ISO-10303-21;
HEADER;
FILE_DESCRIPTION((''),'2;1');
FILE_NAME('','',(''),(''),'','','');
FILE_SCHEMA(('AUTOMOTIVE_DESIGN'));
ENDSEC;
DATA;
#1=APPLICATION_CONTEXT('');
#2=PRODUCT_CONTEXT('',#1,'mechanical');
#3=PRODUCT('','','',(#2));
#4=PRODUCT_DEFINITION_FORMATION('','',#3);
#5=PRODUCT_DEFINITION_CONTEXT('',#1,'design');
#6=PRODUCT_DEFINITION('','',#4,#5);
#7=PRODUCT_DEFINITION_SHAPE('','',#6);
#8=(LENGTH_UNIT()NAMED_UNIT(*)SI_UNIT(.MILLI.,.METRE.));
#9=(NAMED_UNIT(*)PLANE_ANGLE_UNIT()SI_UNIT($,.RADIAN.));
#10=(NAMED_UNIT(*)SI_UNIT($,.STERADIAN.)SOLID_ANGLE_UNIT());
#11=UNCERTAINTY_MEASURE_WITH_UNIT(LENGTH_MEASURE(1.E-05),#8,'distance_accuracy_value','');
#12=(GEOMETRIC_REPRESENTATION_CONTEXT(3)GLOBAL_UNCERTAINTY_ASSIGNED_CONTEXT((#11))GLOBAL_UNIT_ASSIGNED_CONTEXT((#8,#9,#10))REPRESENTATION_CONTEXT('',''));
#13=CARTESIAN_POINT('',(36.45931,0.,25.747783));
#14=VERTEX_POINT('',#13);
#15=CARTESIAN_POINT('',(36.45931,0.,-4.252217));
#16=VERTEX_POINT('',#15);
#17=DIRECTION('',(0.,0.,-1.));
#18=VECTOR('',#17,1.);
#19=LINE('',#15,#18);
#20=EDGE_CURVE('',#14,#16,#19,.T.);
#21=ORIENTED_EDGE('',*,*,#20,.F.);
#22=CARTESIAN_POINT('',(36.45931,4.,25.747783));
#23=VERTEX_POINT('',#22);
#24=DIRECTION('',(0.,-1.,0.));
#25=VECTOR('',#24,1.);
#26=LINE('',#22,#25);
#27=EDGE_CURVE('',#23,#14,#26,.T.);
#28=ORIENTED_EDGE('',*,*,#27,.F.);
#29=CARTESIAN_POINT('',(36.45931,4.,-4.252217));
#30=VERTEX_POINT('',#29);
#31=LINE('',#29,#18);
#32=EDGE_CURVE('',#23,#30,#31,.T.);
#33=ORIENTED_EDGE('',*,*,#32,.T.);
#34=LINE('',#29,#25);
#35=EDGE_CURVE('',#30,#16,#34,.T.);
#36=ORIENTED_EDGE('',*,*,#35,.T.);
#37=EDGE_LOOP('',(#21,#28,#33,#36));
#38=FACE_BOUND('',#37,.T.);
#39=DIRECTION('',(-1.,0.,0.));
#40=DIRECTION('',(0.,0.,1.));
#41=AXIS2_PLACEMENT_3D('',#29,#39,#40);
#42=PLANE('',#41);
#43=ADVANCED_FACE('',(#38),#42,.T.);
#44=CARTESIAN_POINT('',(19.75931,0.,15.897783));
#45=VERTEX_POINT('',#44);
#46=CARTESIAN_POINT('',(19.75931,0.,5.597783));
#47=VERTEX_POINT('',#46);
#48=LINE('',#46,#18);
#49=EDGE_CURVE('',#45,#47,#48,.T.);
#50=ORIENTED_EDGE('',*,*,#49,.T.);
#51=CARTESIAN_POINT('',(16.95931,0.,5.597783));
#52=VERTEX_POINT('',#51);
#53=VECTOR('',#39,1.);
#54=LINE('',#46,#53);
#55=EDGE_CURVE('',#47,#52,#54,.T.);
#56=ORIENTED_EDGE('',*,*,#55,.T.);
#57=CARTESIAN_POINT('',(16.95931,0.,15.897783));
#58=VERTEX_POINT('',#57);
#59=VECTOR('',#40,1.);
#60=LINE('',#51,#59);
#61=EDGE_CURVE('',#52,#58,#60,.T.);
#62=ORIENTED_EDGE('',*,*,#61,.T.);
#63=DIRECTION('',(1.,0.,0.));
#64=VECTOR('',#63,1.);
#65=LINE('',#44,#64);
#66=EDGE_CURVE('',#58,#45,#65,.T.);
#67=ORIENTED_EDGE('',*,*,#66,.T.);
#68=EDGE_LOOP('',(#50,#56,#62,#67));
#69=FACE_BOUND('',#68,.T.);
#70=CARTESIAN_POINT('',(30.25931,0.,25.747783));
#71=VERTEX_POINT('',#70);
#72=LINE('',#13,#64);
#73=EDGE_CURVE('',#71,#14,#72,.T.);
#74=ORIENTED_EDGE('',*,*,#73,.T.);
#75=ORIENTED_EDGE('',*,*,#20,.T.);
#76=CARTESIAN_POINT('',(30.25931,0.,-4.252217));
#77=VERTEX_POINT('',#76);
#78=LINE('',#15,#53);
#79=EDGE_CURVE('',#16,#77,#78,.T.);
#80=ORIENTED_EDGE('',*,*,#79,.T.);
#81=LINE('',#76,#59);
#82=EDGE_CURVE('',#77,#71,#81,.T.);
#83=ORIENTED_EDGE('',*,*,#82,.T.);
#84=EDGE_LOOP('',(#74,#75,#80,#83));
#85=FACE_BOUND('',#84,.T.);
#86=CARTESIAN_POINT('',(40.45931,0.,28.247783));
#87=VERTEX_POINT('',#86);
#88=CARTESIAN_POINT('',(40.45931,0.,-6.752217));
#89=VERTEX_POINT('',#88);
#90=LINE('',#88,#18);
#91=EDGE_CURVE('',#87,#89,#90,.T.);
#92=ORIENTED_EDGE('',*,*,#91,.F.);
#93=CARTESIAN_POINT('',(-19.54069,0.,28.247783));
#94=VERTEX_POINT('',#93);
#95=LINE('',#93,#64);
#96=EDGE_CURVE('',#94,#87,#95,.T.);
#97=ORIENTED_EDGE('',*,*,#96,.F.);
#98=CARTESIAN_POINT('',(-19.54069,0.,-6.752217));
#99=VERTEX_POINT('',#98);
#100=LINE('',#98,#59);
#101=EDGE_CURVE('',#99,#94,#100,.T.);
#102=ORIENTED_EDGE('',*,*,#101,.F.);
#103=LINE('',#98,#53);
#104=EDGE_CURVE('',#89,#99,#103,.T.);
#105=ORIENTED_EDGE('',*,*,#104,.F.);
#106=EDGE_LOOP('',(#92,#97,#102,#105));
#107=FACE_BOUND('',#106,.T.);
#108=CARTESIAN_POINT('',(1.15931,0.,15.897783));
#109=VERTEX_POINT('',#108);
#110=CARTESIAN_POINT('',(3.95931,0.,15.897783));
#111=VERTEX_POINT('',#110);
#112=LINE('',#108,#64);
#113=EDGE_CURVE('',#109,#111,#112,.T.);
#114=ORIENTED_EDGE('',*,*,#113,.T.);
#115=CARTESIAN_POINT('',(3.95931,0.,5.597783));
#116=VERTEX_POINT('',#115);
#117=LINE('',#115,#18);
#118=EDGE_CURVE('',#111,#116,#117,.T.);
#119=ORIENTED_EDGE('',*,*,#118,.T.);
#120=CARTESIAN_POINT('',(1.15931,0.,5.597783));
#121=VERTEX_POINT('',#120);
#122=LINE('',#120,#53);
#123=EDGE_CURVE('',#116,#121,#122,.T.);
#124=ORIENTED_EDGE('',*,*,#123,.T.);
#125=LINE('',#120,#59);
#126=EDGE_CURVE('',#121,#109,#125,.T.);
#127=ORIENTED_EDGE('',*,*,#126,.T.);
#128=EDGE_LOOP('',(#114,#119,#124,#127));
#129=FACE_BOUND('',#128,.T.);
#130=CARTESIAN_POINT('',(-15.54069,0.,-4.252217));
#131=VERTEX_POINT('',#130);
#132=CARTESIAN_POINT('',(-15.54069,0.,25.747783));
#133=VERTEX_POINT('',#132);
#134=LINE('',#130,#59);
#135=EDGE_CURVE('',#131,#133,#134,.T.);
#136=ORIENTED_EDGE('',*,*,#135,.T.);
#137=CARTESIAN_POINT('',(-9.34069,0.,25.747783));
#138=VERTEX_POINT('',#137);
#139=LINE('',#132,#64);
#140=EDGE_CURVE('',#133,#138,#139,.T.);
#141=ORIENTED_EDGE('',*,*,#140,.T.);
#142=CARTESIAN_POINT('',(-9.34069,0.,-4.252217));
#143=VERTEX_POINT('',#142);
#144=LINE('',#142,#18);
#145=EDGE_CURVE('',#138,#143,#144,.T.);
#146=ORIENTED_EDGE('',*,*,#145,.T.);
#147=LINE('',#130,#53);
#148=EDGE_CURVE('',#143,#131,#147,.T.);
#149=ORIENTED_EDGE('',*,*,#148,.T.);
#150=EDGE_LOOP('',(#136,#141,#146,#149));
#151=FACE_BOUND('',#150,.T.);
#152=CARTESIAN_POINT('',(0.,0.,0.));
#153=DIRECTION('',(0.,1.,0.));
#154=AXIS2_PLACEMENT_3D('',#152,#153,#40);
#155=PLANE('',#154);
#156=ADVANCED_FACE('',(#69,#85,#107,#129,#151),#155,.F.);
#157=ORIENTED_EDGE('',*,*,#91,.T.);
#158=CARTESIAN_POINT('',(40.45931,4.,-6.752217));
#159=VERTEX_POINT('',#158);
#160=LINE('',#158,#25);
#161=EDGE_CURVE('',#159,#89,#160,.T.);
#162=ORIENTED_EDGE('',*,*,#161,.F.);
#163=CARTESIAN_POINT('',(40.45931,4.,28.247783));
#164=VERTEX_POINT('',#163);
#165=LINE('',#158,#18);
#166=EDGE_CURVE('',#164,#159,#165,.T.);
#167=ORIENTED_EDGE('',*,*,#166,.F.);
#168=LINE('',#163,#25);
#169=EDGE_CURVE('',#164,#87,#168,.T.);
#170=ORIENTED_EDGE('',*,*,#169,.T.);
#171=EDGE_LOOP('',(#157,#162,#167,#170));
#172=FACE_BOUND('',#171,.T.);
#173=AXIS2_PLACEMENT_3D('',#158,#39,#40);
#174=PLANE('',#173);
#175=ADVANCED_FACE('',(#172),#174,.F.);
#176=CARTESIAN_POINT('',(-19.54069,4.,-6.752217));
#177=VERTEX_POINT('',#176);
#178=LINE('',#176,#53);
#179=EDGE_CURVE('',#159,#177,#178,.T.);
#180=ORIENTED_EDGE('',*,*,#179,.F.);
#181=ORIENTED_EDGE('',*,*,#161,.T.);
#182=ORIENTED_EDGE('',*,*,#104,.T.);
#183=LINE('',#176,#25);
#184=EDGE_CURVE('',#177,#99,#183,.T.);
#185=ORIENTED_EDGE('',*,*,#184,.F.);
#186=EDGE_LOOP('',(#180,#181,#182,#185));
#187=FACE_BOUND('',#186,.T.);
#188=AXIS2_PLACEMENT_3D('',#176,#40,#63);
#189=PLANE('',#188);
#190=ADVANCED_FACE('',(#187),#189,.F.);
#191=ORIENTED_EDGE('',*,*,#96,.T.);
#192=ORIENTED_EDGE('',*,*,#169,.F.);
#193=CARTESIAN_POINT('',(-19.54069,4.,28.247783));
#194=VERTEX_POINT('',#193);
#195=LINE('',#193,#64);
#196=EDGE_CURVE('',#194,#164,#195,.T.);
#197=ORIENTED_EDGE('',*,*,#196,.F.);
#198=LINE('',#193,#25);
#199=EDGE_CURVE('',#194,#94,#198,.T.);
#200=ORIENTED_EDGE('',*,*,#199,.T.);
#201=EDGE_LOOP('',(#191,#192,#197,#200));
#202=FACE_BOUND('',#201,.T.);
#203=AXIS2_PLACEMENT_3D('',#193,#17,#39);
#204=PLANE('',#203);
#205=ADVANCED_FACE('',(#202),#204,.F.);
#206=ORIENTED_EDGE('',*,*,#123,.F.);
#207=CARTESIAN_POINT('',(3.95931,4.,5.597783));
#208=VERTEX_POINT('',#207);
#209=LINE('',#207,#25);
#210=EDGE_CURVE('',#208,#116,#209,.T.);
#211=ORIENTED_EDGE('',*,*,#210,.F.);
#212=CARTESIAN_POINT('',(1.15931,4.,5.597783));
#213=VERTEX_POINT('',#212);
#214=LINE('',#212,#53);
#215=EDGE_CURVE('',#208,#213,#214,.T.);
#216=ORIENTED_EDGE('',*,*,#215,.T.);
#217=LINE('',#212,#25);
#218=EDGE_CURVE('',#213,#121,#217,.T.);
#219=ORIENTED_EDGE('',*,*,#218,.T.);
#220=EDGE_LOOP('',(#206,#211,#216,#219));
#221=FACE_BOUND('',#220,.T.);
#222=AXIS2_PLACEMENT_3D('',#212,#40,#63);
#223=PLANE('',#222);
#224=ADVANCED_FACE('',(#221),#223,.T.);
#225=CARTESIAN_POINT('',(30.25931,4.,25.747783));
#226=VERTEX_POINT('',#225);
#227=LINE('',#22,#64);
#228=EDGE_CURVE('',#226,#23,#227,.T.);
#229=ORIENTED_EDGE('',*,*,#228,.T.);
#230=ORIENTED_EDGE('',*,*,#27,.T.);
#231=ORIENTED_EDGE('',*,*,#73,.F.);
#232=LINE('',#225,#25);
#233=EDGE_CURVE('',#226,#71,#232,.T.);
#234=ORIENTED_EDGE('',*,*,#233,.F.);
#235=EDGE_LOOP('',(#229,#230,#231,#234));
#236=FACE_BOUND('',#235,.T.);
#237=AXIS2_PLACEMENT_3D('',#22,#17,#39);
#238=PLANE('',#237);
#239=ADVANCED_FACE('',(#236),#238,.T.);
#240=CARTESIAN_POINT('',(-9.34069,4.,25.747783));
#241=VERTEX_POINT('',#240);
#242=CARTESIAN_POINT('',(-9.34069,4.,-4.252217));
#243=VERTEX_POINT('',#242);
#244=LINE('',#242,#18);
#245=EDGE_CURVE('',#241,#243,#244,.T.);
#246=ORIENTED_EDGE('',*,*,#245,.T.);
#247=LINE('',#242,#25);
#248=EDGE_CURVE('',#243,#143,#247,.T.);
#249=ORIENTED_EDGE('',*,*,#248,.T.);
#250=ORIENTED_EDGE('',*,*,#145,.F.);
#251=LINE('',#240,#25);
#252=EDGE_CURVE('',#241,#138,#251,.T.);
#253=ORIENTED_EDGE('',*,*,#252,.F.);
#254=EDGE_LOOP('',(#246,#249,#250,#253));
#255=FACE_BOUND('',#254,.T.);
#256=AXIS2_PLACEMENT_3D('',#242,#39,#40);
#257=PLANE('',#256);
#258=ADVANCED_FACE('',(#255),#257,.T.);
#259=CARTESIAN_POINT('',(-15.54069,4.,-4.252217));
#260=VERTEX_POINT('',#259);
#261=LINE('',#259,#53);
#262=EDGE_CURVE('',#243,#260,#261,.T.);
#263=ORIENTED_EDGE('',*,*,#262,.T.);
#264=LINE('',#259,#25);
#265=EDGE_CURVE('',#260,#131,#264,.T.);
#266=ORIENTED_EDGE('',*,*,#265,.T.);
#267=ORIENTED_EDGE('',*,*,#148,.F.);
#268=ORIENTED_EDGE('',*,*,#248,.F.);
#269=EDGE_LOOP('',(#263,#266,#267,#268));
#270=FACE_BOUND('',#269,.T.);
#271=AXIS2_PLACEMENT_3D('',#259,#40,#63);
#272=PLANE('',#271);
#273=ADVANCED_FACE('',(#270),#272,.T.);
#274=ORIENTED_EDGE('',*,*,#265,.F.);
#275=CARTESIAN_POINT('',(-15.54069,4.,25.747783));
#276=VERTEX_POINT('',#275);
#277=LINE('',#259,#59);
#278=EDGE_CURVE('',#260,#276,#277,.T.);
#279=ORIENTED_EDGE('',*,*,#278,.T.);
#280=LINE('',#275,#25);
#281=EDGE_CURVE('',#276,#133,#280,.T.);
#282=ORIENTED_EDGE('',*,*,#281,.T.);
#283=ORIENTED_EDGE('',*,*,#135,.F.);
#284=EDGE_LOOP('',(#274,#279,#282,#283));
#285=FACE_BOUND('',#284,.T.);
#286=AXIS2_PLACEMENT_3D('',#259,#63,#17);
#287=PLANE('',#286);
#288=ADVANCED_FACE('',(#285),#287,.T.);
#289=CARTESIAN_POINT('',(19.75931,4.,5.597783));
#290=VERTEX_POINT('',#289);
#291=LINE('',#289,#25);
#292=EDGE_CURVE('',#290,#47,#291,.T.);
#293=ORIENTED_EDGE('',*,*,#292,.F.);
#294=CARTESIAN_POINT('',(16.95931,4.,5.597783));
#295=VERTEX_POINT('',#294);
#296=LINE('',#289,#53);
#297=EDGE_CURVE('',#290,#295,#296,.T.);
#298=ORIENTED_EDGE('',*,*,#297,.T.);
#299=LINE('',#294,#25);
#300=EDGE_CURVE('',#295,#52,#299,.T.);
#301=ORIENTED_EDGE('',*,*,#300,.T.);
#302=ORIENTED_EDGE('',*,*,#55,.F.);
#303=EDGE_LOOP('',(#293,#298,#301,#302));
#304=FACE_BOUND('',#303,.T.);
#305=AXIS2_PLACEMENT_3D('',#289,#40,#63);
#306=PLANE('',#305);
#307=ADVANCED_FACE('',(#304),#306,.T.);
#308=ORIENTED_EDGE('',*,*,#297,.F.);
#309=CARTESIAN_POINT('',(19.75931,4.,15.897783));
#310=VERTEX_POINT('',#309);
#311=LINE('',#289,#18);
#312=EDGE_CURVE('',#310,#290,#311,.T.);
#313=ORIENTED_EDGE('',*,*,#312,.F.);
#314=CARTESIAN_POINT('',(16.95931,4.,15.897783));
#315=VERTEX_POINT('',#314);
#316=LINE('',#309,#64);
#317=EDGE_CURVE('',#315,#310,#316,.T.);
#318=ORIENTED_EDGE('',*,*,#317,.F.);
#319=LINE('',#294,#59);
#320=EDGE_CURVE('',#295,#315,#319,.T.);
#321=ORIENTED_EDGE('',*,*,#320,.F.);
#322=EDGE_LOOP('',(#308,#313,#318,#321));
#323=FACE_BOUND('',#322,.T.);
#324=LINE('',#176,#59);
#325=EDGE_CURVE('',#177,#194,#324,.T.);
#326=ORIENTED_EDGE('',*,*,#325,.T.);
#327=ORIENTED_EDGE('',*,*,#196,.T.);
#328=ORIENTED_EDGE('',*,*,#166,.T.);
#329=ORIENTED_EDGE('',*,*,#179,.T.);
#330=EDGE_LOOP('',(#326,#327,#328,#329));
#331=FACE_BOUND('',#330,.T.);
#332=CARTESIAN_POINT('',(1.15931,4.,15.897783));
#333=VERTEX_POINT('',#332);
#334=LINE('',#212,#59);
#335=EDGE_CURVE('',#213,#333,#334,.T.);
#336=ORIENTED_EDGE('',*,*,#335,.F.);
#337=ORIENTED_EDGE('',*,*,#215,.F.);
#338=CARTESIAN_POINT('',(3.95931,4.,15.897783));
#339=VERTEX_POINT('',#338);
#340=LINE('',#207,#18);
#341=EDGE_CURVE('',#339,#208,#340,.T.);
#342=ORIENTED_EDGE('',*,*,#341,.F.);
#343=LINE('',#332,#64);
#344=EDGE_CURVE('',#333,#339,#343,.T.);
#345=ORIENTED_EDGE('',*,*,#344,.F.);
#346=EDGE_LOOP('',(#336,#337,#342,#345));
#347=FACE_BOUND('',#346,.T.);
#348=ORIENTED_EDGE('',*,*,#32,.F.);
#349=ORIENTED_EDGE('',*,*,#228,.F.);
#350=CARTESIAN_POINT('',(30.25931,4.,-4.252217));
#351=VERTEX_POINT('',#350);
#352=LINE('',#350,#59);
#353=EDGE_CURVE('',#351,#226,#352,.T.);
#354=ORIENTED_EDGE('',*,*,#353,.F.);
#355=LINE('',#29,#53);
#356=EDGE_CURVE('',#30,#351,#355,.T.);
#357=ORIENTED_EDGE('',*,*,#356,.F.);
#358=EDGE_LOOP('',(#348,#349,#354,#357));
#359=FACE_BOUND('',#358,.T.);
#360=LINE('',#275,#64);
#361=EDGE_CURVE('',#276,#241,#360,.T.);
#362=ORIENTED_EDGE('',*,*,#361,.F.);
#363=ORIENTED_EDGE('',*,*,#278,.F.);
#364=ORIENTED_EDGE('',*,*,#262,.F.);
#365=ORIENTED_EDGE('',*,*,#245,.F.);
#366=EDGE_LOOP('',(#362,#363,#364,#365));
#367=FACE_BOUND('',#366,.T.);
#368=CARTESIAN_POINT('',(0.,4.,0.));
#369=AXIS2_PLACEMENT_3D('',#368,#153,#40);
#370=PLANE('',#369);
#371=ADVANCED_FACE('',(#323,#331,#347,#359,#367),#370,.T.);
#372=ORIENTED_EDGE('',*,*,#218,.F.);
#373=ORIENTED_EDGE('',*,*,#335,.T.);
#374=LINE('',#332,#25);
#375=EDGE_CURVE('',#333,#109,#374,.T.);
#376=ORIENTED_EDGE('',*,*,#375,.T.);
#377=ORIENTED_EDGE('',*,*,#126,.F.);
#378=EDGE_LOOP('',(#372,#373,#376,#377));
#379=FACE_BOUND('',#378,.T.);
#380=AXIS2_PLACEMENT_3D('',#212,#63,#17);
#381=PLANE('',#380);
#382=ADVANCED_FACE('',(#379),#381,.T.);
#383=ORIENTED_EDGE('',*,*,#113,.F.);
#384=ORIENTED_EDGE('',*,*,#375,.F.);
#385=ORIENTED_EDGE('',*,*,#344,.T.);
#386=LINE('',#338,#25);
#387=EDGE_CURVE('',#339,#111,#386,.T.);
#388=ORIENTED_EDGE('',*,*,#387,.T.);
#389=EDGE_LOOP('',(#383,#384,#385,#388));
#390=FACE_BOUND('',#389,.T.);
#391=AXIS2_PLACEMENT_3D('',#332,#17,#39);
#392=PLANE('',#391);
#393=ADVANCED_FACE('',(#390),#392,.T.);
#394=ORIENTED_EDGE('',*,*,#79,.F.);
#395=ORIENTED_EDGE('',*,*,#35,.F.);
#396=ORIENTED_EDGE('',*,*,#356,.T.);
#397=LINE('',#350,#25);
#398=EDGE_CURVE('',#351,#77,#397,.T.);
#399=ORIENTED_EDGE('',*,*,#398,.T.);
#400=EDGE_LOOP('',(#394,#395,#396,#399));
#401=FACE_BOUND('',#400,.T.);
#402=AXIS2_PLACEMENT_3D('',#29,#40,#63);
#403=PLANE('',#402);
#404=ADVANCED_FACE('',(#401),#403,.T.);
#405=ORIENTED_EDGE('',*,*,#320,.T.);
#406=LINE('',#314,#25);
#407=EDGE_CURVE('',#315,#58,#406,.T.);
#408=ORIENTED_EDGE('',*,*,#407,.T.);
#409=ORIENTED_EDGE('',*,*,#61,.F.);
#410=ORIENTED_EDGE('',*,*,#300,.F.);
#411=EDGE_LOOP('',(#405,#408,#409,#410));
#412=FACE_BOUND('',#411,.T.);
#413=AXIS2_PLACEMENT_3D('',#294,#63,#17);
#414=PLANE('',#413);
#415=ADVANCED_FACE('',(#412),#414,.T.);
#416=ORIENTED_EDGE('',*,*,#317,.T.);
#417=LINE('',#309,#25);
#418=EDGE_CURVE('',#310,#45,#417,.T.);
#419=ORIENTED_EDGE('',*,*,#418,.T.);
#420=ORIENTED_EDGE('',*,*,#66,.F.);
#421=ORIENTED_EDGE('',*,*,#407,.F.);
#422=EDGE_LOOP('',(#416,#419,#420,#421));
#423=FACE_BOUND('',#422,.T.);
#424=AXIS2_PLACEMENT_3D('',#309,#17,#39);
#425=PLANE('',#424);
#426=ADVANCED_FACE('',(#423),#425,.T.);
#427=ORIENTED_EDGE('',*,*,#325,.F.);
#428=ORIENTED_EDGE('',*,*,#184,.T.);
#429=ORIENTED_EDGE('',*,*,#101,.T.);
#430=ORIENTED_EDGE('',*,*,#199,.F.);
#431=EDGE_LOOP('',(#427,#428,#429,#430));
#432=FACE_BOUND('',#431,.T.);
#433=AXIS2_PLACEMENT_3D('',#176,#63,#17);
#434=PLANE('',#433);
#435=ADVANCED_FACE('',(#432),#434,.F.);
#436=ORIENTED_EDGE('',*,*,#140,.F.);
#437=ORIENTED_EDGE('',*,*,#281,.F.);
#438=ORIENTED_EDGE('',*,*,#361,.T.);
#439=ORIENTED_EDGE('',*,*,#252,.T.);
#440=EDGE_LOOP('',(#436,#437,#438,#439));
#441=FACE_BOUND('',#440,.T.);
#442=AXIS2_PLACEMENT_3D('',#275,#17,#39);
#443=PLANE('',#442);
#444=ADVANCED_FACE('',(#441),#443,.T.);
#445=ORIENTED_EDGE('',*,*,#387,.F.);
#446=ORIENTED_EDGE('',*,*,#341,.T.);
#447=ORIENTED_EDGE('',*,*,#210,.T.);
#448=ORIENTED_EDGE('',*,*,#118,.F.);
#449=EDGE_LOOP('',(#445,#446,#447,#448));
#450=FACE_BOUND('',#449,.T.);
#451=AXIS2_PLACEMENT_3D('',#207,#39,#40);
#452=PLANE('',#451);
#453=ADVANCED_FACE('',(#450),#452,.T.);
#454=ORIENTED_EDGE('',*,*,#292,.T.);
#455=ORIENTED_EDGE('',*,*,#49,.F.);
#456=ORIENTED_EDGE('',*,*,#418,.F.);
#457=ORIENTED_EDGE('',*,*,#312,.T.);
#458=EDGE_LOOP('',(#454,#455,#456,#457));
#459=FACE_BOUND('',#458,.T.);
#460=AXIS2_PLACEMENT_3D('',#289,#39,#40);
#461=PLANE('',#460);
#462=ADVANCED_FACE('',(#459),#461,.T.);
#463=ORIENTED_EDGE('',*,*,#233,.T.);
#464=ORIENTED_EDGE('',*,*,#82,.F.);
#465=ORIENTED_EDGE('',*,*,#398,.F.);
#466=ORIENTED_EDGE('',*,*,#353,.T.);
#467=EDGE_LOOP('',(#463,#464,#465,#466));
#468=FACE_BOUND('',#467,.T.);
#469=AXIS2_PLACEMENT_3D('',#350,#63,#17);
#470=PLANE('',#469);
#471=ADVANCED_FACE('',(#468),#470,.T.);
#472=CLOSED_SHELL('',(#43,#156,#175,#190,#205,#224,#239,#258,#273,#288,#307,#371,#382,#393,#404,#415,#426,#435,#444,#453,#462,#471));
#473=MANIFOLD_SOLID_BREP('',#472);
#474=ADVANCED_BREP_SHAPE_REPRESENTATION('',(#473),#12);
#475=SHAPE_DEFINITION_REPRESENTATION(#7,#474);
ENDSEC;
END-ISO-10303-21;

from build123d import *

# Parameters (mm, degrees)
SKETCH1_W           = 60
SKETCH1_H           = 35
SKETCH1_W_2         = 6.2
SKETCH1_H_2         = 30
SKETCH1_W_3         = 2.8
SKETCH1_H_3         = 10.3
BOSS_EXTRUDE1_DEPTH = 4


with BuildPart() as part:
    # Sketch1 → Boss-Extrude1 (new body)
    with BuildSketch(Plane(origin=(0, 0, 0), x_dir=(1, 0, 0), z_dir=(0, 1, 0))):
        with Locations((10.459310346, -10.747782501)):
            Rectangle(SKETCH1_W, SKETCH1_H)
        with Locations((-12.440689654, -10.747782501)):
            Rectangle(SKETCH1_W_2, SKETCH1_H_2, mode=Mode.SUBTRACT)
        with Locations((2.559310346, -10.747782501)):
            Rectangle(SKETCH1_W_3, SKETCH1_H_3, mode=Mode.SUBTRACT)
        with Locations((18.359310346, -10.747782501)):
            Rectangle(SKETCH1_W_3, SKETCH1_H_3, mode=Mode.SUBTRACT)
        with Locations((33.359310346, -10.747782501)):
            Rectangle(SKETCH1_W_2, SKETCH1_H_2, mode=Mode.SUBTRACT)
    extrude(amount=BOSS_EXTRUDE1_DEPTH)


solid = part.part
